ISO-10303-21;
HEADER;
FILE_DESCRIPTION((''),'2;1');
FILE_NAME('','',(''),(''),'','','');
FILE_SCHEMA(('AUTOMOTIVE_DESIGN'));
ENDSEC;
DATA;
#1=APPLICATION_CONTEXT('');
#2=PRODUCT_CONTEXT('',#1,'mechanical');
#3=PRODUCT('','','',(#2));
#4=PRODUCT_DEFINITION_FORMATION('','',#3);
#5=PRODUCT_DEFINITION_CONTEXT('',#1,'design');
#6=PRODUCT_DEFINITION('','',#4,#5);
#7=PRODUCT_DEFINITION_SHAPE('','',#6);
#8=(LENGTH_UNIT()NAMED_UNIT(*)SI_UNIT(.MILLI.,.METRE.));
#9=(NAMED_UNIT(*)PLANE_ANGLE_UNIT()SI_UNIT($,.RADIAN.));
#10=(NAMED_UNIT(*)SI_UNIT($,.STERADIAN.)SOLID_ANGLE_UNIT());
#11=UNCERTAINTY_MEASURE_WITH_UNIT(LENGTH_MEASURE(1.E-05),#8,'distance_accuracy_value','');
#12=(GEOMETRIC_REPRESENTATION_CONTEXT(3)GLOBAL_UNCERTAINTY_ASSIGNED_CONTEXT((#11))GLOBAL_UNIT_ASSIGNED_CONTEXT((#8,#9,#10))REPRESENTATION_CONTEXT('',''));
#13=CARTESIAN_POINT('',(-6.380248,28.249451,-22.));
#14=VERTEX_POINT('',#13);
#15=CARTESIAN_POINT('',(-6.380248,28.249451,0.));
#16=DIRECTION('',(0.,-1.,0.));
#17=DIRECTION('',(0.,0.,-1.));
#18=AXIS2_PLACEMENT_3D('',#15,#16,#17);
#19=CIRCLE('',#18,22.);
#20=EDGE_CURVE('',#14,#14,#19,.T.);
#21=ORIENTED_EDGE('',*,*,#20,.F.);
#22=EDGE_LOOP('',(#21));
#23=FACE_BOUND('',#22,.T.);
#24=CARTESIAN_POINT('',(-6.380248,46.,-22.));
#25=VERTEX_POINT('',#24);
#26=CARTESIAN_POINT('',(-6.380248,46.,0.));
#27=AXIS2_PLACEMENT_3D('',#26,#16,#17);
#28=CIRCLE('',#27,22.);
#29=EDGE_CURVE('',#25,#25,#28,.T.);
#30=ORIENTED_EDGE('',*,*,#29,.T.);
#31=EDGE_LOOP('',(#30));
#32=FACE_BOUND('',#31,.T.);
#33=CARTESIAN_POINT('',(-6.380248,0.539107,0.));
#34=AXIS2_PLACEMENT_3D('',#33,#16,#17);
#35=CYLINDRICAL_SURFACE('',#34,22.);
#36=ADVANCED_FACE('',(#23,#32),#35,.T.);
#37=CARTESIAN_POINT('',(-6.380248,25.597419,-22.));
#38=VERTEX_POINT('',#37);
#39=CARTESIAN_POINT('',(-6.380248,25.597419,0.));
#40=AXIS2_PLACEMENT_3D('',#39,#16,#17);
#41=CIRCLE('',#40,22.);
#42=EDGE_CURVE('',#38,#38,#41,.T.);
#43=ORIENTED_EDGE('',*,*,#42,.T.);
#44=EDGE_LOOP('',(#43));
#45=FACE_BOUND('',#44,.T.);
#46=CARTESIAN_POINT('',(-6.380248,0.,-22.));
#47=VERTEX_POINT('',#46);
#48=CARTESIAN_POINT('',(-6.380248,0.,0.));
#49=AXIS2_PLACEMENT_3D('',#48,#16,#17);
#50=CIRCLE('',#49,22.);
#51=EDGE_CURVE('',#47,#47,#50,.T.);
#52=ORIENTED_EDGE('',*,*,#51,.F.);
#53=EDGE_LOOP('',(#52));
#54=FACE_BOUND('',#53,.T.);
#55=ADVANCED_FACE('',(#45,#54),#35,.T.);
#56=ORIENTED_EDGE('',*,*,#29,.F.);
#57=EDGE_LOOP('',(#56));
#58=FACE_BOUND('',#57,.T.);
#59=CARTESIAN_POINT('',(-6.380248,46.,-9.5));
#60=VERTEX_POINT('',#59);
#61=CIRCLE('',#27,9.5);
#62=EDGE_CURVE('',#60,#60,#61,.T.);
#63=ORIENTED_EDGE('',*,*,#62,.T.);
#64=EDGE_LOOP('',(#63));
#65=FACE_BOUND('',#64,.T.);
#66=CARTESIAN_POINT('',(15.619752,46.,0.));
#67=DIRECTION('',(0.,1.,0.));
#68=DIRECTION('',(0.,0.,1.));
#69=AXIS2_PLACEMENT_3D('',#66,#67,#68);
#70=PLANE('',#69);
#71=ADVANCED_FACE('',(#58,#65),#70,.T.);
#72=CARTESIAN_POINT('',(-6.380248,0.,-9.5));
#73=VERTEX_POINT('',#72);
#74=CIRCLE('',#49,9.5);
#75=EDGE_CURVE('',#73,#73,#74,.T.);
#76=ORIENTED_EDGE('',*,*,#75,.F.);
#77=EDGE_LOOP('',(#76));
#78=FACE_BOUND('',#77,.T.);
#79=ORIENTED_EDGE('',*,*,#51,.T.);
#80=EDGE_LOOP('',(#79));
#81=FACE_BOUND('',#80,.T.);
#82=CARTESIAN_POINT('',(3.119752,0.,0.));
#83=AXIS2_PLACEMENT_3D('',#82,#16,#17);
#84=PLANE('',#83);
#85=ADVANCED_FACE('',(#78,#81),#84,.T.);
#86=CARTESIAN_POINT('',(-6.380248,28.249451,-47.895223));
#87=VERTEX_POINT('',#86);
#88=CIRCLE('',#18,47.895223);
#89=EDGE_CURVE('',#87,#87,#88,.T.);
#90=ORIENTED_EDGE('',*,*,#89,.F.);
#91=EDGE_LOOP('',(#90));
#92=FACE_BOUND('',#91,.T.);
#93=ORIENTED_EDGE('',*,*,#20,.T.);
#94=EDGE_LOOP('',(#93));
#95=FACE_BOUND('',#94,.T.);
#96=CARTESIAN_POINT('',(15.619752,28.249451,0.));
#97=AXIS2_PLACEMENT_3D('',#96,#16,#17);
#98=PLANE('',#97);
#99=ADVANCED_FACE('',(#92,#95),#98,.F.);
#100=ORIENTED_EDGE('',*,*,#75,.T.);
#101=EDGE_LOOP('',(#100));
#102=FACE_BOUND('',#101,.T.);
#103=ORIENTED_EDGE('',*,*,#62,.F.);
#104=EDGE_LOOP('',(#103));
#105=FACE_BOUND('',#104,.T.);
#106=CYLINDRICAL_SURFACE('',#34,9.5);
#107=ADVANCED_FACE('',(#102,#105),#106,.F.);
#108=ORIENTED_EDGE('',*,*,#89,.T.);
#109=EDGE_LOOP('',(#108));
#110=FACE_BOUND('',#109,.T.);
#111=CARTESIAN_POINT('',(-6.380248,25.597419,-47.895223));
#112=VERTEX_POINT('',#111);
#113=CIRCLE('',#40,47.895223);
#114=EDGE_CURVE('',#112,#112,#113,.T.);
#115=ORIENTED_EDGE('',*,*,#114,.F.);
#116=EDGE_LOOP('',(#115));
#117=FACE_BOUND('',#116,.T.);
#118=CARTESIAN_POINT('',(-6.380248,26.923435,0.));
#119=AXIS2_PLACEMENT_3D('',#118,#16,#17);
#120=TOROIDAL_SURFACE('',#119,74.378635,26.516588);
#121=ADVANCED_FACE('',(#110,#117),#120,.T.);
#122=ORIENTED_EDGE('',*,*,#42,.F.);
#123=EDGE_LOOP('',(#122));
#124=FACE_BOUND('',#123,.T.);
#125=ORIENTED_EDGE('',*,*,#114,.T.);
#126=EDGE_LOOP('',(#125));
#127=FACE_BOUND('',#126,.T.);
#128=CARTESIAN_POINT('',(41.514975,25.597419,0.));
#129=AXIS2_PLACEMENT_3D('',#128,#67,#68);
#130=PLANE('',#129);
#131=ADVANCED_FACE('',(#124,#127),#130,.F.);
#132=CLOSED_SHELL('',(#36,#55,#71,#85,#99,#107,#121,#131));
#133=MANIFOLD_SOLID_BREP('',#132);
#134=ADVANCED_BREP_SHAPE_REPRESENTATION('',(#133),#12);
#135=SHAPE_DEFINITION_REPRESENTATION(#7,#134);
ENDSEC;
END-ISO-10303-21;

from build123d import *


with BuildPart() as part:
    # 草图1 → 旋转2 (revolve)
    with BuildSketch(Plane.XY, mode=Mode.PRIVATE) as revolve_2_sk:
        with BuildLine():
            Line((15.619751756, 46), (15.619751756, 28.249450756))
            Line((15.619751756, 28.249450756), (41.514974563, 28.249450756))
            ThreePointArc((41.514974563, 28.249450756), (94.514974563, 26.92343472), (41.514974563, 25.597418683))
            Line((41.514974563, 25.597418683), (15.619751756, 25.597418683))
            Line((15.619751756, 25.597418683), (15.619751756, 0))
            Line((15.619751756, 0), (3.119751756, 0))
            Line((3.119751756, 0), (3.119751756, 46))
            Line((3.119751756, 46), (15.619751756, 46))
        make_face()
    revolve(revolve_2_sk.sketch.rotate(Axis((-6.380248244, 0.539107049, 0), (0, 1, 0)), 90), axis=Axis((-6.380248244, 0.539107049, 0), (0, 1, 0)))


solid = part.part
